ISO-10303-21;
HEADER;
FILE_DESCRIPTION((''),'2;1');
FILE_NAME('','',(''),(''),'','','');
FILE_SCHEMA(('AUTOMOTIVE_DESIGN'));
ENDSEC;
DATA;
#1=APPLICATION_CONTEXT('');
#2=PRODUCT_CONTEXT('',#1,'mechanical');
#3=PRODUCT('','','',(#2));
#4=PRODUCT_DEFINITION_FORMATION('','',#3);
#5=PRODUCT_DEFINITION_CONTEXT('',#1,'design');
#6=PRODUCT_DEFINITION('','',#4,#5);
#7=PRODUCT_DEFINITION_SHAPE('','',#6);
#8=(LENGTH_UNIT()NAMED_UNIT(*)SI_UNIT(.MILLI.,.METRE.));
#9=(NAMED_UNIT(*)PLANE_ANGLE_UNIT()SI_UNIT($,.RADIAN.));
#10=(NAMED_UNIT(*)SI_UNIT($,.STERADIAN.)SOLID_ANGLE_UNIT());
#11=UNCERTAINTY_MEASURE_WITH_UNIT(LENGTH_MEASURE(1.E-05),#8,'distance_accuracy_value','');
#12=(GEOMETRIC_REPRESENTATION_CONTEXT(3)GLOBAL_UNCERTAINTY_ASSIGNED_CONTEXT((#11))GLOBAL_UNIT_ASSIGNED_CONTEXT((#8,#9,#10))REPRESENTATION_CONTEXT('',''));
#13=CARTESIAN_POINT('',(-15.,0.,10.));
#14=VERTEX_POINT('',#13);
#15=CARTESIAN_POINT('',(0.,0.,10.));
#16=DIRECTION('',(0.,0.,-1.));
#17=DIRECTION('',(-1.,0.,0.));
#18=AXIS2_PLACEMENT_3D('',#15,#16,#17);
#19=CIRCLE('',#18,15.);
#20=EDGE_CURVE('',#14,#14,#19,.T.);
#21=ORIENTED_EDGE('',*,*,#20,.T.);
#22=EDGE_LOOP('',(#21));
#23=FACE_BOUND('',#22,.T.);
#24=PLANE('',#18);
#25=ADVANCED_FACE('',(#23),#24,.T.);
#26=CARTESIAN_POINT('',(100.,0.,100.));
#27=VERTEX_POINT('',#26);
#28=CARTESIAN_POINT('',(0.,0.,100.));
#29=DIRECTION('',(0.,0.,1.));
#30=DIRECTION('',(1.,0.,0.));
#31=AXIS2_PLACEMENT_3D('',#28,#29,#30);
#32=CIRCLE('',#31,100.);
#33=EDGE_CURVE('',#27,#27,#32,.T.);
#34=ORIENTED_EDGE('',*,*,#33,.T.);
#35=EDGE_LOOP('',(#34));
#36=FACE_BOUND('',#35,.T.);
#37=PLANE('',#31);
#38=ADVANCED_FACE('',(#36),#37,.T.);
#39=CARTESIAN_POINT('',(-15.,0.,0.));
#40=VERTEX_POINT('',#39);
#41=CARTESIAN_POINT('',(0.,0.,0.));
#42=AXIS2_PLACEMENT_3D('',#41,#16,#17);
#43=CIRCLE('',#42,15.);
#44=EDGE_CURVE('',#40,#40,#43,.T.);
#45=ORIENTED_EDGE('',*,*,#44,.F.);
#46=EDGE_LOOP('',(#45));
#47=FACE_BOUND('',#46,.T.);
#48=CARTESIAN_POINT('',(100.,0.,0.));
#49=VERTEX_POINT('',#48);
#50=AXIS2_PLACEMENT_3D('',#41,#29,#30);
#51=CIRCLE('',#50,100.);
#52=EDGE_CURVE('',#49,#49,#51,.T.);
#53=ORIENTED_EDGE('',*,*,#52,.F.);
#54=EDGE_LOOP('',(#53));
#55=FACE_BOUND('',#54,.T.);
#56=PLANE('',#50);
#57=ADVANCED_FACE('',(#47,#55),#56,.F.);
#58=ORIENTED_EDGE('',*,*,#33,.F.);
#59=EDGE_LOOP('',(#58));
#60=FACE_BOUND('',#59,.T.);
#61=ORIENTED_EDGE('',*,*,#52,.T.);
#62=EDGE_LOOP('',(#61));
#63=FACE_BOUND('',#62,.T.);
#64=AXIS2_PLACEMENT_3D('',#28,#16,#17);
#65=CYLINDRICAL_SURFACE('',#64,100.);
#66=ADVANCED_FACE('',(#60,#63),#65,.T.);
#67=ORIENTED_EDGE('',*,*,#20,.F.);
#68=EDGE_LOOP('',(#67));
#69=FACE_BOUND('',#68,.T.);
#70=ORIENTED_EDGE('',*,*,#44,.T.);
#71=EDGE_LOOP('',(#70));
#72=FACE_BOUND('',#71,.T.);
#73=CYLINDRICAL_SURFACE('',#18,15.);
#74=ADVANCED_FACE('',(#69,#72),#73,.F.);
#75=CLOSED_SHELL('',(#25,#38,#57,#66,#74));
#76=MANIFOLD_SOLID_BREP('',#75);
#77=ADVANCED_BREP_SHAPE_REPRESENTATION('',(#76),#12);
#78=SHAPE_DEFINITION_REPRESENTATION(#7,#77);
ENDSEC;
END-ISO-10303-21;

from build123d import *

# Parameters (mm, degrees)
SKETCH1_R           = 100
BOSS_EXTRUDE1_DEPTH = 100
SKETCH2_R           = 15
CUT_EXTRUDE1_DEPTH  = 10


with BuildPart() as part:
    # Sketch1 → Boss-Extrude1 (new body)
    with BuildSketch(Plane.XY):
        Circle(SKETCH1_R)
    extrude(amount=BOSS_EXTRUDE1_DEPTH)

    # Sketch2 → Cut-Extrude1 (cut)
    with BuildSketch(Plane(origin=(0, 0, 0), x_dir=(-1, 0, 0), z_dir=(0, 0, -1))):
        Circle(SKETCH2_R)
    extrude(amount=-CUT_EXTRUDE1_DEPTH, mode=Mode.SUBTRACT)


solid = part.part
